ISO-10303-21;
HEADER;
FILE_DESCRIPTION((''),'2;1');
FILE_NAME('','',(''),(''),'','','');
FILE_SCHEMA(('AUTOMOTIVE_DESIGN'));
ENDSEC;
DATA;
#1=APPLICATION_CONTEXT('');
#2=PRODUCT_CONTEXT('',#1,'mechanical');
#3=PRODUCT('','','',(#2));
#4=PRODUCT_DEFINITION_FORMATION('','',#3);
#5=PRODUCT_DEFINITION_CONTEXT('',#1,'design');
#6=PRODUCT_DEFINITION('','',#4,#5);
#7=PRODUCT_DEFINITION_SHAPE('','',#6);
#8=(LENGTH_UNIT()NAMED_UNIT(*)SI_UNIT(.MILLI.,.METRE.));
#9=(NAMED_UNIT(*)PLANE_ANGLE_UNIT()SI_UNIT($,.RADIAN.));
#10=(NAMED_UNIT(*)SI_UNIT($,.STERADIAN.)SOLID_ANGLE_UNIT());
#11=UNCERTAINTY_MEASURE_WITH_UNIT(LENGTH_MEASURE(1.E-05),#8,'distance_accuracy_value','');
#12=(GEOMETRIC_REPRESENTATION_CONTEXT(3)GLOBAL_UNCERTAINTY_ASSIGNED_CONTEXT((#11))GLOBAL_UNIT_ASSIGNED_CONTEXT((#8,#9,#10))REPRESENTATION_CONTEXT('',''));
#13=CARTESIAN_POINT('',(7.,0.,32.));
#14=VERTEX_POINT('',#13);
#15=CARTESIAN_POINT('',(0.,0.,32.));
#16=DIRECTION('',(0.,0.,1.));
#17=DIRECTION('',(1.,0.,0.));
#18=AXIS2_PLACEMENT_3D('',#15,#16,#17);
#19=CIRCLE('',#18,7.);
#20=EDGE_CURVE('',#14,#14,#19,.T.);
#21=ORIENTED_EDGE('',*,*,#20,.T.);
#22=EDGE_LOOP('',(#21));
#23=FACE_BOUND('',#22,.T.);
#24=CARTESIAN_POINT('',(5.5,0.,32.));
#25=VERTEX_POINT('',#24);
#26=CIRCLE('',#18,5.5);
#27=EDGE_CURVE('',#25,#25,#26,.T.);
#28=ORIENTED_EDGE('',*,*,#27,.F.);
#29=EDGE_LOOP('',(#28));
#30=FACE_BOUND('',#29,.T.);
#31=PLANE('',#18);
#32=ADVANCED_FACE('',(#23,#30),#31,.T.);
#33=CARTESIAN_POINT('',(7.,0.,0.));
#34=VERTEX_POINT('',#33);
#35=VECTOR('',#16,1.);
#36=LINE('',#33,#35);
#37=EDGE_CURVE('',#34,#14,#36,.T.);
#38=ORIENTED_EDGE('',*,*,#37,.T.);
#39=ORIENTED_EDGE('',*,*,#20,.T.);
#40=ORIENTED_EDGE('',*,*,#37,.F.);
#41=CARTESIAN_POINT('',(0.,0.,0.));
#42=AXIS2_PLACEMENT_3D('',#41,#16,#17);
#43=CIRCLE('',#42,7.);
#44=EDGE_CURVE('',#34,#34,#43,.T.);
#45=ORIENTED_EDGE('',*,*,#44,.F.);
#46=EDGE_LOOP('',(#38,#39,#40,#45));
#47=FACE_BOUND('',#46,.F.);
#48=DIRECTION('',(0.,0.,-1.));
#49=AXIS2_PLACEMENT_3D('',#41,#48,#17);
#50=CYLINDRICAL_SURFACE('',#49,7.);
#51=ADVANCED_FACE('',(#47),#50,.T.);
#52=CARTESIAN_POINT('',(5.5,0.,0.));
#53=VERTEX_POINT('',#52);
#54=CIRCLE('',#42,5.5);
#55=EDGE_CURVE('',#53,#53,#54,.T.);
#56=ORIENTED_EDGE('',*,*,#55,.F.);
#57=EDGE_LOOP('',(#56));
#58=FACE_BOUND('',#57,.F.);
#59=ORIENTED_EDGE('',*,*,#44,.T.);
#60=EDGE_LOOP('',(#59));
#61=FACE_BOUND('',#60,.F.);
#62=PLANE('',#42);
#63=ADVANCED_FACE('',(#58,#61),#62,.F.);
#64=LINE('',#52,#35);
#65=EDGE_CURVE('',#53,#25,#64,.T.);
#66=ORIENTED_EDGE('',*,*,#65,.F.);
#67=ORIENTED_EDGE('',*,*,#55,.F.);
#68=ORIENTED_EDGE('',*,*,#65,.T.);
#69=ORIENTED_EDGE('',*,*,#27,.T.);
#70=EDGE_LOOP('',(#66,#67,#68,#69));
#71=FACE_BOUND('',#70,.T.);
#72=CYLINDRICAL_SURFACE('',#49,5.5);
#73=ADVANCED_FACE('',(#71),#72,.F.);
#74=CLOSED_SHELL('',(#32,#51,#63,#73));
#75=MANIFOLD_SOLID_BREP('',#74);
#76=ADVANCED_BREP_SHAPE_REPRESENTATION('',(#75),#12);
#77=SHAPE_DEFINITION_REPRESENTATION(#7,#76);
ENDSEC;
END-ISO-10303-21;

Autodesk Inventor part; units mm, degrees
ref_plane "YZ Plane" through (0, 0, 0) normal (1, 0, 0) x (0, 1, 0)
ref_plane "XZ Plane" through (0, 0, 0) normal (0, 1, 0) x (-1, 0, 0)
ref_plane "XY Plane" through (0, 0, 0) normal (0, 0, 1) x (1, 0, 0)
sketch "Sketch1" plane through (0, 0, 0) normal (0, 0, 1) x (1, 0, 0)
  point P0 (0, 0)
sketch "Sketch2" plane through (0, 0, 0) normal (0, 0, 1) x (1, 0, 0)
  circle A0 centre (0, 0) radius 7
  circle A1 centre (0, 0) radius 5.5
  dimension "d0" = 14
  dimension "d1" = 11
extrude "Extrusion1" add sketch "Sketch2" along normal blind 32
properties part number "tuleja_2"
